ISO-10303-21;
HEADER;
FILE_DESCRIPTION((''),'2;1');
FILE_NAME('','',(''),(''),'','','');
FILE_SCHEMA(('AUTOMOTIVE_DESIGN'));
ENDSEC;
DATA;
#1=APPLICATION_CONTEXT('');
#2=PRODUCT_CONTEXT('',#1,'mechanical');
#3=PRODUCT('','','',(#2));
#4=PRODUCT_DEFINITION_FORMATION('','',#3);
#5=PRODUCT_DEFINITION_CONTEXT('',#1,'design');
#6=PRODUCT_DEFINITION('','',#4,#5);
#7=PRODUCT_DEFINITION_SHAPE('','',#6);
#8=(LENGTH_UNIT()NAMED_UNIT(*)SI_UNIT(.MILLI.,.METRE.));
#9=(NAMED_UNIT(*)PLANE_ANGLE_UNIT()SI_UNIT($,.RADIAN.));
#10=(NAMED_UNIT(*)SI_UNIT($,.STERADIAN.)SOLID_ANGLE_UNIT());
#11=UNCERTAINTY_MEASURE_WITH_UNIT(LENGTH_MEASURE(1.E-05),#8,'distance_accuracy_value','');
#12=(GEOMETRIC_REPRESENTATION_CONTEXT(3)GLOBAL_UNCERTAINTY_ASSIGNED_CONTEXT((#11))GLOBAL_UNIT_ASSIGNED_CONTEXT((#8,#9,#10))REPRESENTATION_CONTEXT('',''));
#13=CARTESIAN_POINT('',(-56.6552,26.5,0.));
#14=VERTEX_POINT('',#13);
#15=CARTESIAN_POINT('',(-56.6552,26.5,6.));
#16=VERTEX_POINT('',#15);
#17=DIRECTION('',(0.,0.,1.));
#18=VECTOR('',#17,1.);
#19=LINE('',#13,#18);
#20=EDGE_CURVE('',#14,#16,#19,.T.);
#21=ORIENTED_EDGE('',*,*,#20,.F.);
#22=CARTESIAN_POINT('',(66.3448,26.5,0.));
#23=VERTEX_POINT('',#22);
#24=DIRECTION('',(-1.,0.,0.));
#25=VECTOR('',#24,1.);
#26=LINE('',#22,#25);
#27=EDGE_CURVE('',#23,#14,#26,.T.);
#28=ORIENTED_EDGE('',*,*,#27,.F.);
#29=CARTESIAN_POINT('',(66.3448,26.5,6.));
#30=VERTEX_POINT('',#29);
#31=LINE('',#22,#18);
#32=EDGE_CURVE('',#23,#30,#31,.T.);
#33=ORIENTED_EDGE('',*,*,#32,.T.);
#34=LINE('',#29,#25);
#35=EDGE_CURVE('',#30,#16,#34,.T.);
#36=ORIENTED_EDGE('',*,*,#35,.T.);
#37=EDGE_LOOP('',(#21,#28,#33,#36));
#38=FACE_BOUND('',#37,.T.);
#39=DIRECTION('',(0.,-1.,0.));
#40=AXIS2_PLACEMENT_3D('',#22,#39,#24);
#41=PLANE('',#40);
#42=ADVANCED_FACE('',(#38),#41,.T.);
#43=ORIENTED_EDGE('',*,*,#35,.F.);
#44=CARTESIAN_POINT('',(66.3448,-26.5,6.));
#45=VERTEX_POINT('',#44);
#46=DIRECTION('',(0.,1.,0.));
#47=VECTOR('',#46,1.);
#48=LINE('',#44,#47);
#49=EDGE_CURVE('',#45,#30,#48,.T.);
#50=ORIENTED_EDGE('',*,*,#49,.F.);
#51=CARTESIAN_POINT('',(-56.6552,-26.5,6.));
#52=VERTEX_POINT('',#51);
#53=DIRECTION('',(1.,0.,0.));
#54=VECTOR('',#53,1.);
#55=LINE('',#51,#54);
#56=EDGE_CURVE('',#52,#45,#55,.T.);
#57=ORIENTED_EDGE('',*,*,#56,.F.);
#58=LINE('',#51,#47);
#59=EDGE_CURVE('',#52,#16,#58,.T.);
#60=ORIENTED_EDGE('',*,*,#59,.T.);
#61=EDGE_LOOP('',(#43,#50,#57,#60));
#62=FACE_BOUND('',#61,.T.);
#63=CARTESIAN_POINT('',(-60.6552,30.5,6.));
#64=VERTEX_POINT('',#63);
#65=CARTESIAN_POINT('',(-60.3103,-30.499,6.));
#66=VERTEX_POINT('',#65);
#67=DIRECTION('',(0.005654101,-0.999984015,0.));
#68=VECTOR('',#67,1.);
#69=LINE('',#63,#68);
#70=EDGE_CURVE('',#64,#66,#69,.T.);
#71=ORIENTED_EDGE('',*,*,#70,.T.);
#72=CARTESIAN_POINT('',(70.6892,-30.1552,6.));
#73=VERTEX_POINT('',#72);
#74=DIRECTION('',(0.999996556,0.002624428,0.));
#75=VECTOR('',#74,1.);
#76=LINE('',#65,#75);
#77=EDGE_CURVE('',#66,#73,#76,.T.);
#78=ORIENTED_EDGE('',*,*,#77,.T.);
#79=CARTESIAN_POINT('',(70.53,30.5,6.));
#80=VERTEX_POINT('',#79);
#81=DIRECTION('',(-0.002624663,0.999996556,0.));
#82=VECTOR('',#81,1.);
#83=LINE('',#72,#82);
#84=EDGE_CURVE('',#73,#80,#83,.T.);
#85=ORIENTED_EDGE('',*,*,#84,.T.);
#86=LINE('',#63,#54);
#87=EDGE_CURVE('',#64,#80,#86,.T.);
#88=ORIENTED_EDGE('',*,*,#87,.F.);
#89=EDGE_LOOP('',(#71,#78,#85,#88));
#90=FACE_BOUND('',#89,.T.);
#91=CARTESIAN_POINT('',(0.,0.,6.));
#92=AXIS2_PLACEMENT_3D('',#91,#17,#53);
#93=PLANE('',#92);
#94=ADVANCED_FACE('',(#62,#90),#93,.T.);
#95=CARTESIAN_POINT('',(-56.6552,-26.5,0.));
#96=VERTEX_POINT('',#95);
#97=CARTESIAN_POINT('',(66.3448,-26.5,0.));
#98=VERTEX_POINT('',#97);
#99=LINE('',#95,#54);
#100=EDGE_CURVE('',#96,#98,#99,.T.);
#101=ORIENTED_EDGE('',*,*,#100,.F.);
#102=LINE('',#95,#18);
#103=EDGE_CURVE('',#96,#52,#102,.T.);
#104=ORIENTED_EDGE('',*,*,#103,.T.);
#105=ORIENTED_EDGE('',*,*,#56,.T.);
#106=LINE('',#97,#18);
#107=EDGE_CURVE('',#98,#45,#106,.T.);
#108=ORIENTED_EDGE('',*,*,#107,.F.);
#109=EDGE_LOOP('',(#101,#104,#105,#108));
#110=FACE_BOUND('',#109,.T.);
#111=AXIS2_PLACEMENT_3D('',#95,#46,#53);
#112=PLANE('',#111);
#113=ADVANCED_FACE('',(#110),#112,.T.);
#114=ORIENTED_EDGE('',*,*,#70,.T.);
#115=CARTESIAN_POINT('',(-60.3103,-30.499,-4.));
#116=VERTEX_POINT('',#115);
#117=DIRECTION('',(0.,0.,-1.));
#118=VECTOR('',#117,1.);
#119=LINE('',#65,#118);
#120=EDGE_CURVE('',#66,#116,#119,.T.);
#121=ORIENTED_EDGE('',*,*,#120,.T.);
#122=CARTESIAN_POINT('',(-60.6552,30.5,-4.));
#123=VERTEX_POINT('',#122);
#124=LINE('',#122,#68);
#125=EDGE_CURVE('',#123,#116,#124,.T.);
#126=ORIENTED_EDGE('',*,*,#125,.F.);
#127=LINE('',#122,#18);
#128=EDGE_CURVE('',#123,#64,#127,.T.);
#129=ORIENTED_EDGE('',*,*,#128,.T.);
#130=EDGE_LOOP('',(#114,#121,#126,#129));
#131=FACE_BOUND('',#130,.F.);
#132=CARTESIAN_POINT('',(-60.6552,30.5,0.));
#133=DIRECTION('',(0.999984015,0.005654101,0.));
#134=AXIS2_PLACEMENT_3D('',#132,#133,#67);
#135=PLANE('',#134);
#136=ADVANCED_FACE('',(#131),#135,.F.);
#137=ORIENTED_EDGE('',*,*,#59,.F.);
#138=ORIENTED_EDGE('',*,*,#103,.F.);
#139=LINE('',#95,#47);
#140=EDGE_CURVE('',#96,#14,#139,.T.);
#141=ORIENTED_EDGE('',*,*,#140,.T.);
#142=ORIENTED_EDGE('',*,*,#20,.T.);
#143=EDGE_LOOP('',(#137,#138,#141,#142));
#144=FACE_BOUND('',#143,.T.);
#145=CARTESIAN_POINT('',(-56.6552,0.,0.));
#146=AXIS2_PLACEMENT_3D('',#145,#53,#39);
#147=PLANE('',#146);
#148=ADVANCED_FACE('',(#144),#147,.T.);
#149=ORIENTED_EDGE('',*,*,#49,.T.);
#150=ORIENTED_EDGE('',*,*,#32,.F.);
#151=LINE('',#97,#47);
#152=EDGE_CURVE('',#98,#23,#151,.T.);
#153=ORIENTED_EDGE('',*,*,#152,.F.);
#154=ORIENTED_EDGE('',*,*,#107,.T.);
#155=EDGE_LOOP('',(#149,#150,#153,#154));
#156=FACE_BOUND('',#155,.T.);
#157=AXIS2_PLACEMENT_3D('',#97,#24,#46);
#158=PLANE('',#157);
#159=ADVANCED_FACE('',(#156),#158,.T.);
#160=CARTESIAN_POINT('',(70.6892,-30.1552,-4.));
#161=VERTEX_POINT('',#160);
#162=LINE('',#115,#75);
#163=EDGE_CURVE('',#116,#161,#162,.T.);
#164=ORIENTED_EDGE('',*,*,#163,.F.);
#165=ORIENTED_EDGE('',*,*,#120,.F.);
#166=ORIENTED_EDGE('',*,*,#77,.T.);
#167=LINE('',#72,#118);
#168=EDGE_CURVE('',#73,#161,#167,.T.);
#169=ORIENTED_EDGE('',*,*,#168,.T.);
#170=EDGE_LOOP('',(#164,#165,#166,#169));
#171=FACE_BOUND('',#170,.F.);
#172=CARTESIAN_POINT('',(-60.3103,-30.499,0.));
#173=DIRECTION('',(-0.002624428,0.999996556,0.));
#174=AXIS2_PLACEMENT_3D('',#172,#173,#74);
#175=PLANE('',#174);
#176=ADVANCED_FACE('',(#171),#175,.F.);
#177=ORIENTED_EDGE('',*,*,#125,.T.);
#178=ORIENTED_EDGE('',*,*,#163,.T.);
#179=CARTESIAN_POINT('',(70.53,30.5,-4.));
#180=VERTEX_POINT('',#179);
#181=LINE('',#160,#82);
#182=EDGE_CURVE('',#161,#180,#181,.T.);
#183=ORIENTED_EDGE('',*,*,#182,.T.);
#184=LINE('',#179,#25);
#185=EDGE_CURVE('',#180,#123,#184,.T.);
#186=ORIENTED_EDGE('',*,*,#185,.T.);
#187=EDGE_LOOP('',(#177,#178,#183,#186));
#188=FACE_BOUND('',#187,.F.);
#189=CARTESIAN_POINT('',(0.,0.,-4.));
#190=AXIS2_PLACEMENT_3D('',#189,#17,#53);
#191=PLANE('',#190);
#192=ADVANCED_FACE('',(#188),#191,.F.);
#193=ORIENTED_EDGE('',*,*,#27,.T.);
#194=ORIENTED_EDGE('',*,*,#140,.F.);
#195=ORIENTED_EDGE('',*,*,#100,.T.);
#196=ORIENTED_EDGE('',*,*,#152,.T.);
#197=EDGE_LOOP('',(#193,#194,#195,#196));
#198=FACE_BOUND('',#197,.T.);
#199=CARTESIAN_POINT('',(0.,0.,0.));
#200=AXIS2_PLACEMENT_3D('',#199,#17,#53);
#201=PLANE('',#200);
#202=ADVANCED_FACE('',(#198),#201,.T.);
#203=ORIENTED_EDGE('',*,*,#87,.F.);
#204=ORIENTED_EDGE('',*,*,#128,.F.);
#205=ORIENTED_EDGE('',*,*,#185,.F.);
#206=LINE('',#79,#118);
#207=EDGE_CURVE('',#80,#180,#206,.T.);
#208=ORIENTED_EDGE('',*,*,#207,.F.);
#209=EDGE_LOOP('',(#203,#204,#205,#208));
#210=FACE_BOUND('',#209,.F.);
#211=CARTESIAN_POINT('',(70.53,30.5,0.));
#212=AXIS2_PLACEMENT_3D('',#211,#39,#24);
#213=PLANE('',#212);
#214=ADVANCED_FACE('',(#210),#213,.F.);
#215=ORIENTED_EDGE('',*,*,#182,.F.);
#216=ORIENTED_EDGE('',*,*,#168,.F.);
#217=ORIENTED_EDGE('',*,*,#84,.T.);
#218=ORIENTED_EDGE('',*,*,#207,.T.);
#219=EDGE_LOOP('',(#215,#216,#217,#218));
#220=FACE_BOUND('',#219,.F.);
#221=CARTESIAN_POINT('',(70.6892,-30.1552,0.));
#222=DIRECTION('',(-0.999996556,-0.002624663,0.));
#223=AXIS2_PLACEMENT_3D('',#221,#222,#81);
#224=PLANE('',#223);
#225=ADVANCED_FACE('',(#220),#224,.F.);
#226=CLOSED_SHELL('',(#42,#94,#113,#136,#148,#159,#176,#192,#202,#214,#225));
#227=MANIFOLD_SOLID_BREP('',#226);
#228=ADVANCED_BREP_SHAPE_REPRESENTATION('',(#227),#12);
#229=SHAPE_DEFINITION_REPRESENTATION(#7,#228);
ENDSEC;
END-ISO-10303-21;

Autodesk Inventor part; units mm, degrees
ref_plane "YZ Plane" through (0, 0, 0) normal (1, 0, 0) x (0, 1, 0)
ref_plane "XZ Plane" through (0, 0, 0) normal (0, 1, 0) x (-1, 0, 0)
ref_plane "XY Plane" through (0, 0, 0) normal (0, 0, 1) x (1, 0, 0)
sketch "Sketch1" plane through (0, 0, 0) normal (0, 0, 1) x (1, 0, 0)
  line L0 (-56.6552, 0) -> (-56.6552, 8.2905)
  line L1 (-56.6552, 0) -> (-56.6552, 26.5)
  line L2 (-56.6552, 26.5) -> (-56.6552, -26.5)
  line L3 (-56.6552, -26.5) -> (66.3448, -26.5)
  line L4 (66.3448, -26.5) -> (66.3448, 26.5)
  line L5 (66.3448, 26.5) -> (-56.6552, 26.5)
  line L6 (-60.3103, -26.5) -> (-60.3103, -30.1552)
  line L7 (56.6552, -30.1552) -> (60.3103, -30.1552)
  line L8 (-56.6552, 30.5) -> (-60.6552, 30.5)
  line L9 (-60.6552, 30.5) -> (-60.3103, -30.499)
  line L10 (-60.3103, -30.499) -> (70.6892, -30.1552)
  line L11 (70.6892, -30.1552) -> (70.53, 30.5)
  line L12 (70.53, 30.5) -> (-60.6552, 30.5)
  point P0 (0, 0)
  dimension "d19" = 123
  dimension "d20" = 53
extrude "Extrusion1" add sketch "Sketch1" against normal blind 4 contours L0 L1 L5 L4 L3 L2 | L12 L11 L10 L9 L8
extrude "Extrusion2" add sketch "Sketch1" along normal blind 6
properties part number "Deksel laser" material "ABS Plastic"
